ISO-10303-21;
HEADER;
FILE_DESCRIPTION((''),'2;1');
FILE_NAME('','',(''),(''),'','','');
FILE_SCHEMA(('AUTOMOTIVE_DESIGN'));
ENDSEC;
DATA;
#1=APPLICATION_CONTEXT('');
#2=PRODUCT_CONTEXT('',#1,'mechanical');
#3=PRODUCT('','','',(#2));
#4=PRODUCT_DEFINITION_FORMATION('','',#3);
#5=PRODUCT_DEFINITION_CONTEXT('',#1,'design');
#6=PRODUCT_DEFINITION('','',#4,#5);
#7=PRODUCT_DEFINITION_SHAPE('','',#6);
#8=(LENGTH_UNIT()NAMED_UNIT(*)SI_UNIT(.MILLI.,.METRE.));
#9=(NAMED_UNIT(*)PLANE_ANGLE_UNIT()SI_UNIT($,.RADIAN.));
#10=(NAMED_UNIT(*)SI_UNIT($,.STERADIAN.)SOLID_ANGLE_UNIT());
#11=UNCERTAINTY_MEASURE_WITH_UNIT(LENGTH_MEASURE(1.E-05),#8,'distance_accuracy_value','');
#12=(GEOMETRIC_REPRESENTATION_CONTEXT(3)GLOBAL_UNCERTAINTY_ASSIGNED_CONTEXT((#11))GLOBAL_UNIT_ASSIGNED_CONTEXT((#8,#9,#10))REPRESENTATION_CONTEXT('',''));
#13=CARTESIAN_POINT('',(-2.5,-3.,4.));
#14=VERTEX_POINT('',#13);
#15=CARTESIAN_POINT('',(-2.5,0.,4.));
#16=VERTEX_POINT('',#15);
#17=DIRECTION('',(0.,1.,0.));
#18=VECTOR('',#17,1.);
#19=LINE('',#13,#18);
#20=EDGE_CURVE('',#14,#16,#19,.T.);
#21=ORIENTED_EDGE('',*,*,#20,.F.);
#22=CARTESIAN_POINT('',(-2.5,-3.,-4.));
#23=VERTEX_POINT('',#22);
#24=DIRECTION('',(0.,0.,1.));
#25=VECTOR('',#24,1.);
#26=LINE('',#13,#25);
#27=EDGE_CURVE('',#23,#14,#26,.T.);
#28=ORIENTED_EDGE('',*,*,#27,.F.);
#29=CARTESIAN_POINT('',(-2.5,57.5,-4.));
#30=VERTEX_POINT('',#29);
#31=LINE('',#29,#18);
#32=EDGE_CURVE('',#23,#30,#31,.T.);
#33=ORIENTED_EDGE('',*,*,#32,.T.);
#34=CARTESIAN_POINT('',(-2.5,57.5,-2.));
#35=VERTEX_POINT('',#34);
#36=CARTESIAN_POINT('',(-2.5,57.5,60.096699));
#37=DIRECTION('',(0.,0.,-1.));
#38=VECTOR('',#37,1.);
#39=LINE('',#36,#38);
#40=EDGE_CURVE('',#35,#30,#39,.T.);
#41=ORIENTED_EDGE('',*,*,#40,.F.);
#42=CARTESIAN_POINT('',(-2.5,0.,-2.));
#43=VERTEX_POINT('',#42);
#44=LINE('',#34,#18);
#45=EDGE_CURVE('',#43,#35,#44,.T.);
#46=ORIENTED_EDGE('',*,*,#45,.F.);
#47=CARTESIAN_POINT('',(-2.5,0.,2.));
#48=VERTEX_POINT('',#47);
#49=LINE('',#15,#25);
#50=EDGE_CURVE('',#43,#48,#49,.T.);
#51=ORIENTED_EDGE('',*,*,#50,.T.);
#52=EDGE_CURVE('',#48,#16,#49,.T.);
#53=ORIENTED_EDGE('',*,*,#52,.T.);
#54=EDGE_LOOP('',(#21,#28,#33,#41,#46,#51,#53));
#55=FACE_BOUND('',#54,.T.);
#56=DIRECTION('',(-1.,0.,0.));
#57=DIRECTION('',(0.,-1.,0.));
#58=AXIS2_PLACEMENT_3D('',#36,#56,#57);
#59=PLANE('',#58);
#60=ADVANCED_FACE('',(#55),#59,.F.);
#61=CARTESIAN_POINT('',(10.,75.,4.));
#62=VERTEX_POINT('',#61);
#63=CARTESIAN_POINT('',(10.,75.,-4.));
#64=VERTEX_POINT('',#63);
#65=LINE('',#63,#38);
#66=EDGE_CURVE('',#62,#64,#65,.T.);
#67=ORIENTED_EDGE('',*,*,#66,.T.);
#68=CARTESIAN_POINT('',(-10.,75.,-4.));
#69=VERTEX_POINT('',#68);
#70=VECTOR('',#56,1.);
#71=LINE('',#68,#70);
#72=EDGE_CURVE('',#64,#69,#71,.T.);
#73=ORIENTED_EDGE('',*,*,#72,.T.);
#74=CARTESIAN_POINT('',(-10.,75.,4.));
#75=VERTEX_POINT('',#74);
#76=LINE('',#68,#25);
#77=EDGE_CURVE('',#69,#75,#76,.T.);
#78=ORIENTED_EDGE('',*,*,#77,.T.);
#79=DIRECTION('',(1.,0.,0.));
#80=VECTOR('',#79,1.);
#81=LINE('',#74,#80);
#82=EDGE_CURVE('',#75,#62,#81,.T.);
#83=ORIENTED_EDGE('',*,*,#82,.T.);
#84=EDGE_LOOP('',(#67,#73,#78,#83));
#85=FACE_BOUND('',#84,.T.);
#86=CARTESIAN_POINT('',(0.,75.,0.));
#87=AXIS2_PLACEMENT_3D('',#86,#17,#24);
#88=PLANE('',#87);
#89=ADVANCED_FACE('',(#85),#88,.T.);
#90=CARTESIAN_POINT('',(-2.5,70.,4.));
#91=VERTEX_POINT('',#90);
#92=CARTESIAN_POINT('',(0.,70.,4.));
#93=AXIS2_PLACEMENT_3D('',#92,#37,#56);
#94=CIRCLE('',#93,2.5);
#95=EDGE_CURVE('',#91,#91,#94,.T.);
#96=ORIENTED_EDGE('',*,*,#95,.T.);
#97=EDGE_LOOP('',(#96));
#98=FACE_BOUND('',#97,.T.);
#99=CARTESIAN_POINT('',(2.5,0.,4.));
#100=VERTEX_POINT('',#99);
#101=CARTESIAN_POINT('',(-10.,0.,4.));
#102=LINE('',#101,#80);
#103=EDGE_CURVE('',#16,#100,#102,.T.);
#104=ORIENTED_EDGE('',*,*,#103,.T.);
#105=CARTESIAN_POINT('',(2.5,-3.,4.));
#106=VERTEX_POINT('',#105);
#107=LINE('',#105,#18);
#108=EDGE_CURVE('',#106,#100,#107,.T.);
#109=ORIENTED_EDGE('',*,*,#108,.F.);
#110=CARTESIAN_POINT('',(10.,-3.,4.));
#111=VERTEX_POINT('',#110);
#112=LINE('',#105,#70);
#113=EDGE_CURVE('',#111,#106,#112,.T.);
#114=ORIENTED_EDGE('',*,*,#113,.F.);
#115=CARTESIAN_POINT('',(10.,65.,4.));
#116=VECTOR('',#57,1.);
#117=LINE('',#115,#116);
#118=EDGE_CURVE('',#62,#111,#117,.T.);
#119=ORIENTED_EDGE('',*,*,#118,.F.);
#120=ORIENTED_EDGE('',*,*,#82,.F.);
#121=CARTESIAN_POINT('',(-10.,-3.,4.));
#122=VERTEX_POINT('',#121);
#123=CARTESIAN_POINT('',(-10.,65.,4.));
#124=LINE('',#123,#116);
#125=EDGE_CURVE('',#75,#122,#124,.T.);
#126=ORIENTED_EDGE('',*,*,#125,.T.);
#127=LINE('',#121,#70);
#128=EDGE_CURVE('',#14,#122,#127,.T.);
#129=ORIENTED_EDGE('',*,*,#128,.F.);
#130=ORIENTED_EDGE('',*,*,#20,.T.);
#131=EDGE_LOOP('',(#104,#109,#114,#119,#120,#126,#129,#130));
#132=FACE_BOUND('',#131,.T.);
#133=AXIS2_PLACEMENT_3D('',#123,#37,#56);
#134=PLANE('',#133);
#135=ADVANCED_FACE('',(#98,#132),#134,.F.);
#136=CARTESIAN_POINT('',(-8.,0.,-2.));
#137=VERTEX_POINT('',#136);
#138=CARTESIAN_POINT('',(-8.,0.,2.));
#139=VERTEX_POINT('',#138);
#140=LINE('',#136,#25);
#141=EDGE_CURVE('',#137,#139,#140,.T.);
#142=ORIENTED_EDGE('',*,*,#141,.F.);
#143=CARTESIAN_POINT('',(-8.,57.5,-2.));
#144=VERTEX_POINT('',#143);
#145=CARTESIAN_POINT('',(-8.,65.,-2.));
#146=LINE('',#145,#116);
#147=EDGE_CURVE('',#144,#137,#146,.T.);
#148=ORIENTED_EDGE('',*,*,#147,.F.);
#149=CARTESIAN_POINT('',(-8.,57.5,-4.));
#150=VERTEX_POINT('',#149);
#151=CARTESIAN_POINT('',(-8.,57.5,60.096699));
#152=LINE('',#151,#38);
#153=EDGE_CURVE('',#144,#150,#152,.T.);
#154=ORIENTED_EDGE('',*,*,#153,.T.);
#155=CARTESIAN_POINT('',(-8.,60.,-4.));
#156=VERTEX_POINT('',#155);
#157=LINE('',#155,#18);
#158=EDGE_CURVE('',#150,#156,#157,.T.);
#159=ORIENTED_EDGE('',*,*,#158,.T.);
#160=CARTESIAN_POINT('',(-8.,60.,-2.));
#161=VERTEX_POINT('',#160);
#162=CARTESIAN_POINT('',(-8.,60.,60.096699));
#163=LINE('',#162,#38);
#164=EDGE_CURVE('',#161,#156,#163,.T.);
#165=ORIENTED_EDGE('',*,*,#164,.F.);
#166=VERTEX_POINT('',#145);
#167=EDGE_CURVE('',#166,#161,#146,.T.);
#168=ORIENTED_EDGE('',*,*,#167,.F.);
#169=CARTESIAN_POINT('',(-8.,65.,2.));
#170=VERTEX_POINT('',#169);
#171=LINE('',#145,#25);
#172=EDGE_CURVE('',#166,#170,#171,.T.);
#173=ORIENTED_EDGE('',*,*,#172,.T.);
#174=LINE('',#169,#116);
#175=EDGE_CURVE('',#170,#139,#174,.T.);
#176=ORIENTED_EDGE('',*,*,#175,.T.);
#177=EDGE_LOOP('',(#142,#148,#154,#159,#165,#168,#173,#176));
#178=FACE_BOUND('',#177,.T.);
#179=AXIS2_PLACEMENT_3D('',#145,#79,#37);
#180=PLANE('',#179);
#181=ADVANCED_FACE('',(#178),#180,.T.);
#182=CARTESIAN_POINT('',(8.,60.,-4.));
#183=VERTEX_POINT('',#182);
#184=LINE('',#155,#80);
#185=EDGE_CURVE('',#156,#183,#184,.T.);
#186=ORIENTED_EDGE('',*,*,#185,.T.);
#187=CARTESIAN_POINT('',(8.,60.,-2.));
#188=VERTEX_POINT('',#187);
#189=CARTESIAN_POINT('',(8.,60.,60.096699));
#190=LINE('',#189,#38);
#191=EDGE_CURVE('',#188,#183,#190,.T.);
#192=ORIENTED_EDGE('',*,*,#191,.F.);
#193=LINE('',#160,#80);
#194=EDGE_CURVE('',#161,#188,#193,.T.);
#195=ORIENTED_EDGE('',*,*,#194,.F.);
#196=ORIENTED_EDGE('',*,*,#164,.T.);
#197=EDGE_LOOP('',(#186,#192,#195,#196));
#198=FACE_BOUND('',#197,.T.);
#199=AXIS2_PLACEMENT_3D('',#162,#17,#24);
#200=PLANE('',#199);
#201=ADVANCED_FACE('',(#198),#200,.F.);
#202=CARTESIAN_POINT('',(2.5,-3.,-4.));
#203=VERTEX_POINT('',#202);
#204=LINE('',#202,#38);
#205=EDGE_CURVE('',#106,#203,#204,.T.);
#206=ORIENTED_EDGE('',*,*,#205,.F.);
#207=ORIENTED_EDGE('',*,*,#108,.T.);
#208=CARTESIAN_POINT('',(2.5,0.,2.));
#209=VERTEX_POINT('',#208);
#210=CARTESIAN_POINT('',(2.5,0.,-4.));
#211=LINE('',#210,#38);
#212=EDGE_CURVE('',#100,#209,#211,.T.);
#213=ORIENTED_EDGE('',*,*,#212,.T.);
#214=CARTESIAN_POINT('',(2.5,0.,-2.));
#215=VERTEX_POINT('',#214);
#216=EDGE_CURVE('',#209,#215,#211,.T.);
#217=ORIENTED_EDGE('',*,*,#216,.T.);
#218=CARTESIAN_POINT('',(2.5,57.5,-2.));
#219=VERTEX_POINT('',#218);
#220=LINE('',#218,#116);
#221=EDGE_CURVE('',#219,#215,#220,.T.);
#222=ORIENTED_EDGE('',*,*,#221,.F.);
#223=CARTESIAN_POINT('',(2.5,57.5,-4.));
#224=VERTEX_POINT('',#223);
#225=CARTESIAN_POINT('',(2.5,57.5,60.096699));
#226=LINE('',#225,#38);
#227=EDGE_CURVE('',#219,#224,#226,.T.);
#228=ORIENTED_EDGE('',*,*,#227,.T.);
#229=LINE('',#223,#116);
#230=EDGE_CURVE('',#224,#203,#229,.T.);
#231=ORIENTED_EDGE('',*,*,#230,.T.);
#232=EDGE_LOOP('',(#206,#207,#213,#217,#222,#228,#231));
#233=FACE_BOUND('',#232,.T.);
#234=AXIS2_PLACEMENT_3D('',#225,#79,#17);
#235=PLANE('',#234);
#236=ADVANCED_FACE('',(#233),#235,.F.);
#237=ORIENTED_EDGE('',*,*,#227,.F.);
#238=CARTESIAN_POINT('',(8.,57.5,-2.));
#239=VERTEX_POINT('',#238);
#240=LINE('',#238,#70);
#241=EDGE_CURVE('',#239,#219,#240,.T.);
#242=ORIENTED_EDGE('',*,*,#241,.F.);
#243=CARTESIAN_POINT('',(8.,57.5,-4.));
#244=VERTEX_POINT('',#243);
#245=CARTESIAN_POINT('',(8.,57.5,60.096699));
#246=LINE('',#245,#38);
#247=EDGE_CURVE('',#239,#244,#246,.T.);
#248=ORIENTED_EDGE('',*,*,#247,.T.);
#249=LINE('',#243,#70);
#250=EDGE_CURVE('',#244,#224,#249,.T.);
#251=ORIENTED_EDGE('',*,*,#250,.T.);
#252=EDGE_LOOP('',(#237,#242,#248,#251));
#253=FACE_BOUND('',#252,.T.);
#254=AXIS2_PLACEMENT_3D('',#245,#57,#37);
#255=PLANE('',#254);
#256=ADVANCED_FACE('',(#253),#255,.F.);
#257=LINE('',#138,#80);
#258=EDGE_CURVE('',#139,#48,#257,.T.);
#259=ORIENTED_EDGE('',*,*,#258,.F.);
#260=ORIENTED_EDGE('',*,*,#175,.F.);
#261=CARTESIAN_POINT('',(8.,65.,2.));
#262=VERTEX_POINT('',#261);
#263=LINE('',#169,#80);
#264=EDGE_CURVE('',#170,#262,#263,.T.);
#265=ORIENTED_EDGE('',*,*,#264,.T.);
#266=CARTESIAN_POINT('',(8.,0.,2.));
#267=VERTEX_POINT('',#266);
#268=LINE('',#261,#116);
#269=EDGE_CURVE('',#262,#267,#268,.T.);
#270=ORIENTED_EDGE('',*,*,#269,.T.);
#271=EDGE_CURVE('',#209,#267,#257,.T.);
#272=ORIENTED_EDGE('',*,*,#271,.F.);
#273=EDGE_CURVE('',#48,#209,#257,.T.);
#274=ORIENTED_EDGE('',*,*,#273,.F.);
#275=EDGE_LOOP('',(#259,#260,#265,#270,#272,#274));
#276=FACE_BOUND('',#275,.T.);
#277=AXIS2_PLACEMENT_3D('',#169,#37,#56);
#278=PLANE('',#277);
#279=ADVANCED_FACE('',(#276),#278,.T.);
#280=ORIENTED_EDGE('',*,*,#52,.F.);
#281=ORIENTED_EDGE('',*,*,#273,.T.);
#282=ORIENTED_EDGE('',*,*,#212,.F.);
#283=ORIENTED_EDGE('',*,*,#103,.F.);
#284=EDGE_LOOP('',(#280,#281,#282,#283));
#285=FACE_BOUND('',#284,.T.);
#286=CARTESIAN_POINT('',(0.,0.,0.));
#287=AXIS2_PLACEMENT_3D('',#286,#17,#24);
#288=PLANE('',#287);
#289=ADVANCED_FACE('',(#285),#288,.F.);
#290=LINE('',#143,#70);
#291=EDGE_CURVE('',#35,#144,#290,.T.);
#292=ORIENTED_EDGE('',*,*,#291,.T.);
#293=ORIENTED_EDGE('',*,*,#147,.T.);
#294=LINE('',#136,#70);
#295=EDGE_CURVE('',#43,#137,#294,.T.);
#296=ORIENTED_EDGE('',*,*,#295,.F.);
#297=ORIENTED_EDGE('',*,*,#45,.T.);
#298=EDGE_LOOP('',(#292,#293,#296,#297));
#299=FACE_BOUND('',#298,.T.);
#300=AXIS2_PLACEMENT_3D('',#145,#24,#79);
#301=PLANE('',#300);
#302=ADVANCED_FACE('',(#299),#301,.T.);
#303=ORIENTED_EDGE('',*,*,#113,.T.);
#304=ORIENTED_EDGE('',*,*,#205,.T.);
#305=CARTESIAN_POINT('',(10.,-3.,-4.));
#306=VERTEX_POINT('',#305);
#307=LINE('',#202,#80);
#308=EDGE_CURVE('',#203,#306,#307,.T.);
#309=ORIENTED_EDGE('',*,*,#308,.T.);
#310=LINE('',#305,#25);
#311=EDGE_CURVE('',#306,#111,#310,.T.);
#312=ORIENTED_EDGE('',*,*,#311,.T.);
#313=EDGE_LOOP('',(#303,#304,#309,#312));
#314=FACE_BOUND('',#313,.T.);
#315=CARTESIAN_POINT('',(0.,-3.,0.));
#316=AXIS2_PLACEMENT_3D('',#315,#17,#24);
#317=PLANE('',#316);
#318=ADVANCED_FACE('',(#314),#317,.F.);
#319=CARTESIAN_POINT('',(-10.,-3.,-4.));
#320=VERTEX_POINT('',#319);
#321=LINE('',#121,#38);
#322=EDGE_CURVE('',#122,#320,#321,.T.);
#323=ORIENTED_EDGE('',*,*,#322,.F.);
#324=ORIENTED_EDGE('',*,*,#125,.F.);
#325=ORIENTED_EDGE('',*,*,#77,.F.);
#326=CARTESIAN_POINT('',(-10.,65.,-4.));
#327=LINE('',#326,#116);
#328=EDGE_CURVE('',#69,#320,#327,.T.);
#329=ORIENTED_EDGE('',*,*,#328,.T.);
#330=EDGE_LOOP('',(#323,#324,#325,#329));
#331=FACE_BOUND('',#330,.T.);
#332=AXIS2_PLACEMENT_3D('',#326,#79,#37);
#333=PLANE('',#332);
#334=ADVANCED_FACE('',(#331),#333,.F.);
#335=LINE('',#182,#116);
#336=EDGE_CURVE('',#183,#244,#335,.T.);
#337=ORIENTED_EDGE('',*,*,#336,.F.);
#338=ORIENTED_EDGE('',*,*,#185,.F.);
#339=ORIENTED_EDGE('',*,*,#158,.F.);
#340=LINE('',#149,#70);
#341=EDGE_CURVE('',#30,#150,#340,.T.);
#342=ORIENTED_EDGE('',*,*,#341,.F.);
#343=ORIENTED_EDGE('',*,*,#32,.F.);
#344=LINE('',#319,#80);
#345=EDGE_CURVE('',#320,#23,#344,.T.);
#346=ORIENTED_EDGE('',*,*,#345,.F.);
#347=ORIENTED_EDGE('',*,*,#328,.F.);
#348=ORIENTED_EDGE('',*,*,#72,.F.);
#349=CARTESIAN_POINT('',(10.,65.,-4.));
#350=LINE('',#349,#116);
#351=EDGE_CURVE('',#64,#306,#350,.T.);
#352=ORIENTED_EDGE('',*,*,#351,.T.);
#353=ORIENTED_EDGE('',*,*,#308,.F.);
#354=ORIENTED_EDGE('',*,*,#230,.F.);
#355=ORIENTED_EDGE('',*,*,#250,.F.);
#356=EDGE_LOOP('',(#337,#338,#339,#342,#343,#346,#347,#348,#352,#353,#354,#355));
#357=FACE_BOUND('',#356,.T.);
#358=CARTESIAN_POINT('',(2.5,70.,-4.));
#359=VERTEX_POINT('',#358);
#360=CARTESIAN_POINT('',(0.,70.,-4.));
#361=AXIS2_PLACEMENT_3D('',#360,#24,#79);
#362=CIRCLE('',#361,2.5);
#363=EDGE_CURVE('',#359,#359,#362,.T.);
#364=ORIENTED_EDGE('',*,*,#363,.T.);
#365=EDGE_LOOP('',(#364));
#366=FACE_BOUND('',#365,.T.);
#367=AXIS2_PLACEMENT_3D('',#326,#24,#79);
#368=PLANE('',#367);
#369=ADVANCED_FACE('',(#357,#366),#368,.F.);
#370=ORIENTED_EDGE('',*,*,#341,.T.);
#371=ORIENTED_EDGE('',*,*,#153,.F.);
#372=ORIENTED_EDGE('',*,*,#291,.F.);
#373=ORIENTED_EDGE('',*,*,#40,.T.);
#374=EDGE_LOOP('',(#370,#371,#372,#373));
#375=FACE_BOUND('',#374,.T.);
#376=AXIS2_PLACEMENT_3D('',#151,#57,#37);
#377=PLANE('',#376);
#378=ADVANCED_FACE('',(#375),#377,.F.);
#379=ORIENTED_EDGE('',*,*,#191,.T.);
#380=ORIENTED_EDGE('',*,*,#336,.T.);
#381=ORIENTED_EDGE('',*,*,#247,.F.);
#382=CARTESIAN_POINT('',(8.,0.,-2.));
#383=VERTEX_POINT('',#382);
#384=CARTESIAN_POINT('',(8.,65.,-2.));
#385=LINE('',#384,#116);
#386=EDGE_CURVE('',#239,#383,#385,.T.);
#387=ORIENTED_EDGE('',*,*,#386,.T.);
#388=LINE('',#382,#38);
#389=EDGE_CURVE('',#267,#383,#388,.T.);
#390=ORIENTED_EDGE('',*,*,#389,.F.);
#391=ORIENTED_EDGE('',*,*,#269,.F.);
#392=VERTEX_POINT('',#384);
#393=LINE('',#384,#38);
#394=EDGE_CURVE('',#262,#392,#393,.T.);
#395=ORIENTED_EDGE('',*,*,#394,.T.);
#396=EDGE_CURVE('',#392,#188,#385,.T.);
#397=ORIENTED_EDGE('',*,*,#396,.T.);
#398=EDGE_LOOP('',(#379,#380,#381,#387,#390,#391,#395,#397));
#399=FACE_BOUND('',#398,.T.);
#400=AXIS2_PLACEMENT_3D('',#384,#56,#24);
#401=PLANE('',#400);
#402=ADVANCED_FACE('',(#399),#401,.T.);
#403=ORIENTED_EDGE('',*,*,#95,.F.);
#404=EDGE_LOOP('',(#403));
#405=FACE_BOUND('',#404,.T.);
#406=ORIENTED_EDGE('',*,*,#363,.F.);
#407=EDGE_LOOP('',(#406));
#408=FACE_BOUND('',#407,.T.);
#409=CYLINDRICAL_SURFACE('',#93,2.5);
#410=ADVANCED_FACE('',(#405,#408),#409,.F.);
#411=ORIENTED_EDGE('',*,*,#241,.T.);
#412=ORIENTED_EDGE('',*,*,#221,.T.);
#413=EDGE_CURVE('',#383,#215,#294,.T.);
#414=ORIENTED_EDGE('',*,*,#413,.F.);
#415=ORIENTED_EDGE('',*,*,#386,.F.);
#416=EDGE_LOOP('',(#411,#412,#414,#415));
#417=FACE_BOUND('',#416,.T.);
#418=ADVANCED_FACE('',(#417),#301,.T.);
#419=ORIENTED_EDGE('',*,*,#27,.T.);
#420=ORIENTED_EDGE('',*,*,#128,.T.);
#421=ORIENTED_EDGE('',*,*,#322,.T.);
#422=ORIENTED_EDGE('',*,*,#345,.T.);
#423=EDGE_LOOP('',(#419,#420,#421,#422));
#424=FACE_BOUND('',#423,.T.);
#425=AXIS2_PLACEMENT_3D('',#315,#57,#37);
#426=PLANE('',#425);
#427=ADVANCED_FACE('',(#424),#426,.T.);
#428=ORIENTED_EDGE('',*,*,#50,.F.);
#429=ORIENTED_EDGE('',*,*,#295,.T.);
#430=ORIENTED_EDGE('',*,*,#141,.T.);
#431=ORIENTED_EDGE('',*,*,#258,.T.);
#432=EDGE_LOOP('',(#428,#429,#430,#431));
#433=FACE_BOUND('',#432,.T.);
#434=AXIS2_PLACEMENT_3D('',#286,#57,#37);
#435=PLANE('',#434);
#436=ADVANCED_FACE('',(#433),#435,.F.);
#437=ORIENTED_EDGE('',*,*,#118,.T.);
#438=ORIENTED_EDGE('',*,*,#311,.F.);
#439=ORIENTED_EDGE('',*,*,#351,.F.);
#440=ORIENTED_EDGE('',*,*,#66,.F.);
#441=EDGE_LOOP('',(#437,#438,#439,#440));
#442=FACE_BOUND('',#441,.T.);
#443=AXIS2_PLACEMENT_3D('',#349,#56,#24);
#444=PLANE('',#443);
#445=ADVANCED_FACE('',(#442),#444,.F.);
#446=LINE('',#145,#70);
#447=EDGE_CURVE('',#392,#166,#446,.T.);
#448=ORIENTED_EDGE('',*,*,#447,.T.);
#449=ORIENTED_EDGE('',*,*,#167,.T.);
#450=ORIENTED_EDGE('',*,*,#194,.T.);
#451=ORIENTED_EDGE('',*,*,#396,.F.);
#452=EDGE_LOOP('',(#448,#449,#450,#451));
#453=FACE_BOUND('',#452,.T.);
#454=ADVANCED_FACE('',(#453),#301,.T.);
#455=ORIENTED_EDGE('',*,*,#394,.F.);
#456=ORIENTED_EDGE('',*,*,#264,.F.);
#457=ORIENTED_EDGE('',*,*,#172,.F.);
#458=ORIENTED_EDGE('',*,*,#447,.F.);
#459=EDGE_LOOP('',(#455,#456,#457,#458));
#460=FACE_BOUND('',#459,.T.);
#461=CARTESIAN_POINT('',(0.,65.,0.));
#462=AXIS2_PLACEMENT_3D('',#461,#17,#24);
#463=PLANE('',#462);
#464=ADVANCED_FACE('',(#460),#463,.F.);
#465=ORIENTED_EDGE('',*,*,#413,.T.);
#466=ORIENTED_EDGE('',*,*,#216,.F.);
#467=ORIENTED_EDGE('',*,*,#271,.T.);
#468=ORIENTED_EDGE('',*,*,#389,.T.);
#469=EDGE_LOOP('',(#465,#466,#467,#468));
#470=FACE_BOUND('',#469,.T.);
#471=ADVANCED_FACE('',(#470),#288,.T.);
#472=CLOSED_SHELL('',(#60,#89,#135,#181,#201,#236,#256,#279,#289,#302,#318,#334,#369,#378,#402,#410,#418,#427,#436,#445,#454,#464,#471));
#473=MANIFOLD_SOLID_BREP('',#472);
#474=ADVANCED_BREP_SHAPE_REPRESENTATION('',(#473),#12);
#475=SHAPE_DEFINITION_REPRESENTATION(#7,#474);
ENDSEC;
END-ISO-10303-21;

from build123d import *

# Parameters (mm, degrees)
SKETCH2_W               = 20
SKETCH2_H               = 8
SKETCH2_W_2             = 16
SKETCH2_H_2             = 4
BOSS_EXTRUDE2_DEPTH     = 65
CUT_EXTRUDE2_DEPTH      = 2
SKETCH5_W               = 7.5
SKETCH5_H               = 8
BOSS_EXTRUDE3_DEPTH     = 3
SKETCH6_W               = 20
SKETCH6_H               = 8
BOSS_EXTRUDE4_DEPTH     = 10
SKETCH7_R               = 2.5
CUT_EXTRUDE3_DEPTH      = 1
CUT_EXTRUDE3_DEPTH_BACK = 9


with BuildPart() as part:
    # Sketch2 → Boss-Extrude2 (new body)
    with BuildSketch(Plane(origin=(0, 0, 0), x_dir=(1, 0, 0), z_dir=(0, 1, 0))):
        Rectangle(SKETCH2_W, SKETCH2_H)
        Rectangle(SKETCH2_W_2, SKETCH2_H_2, mode=Mode.SUBTRACT)
    extrude(amount=BOSS_EXTRUDE2_DEPTH)

    # Sketch4 → Cut-Extrude2 (cut)
    with BuildSketch(Plane(origin=(0, 0, -4), x_dir=(-1, 0, 0), z_dir=(0, 0, -1))):
        Polygon((8, 60), (-8, 60), (-8, 57.5), (-2.5, 57.5), (-2.5, 0), (2.5, 0), (2.5, 57.5), (8, 57.5), align=None)
    extrude(amount=-CUT_EXTRUDE2_DEPTH, mode=Mode.SUBTRACT)

    # Sketch5 → Boss-Extrude3 (add)
    with BuildSketch(Plane.XZ):
        with Locations((-6.25, 0)):
            Rectangle(SKETCH5_W, SKETCH5_H)
        with Locations((6.25, 0)):
            Rectangle(SKETCH5_W, SKETCH5_H)
    extrude(amount=BOSS_EXTRUDE3_DEPTH)

    # Sketch6 → Boss-Extrude4 (add)
    with BuildSketch(Plane(origin=(0, 65, 0), x_dir=(1, 0, 0), z_dir=(0, 1, 0))):
        Rectangle(SKETCH6_W, SKETCH6_H)
    extrude(amount=BOSS_EXTRUDE4_DEPTH)

    # Sketch7 → Cut-Extrude3 (cut, two sides)
    with BuildSketch(Plane(origin=(0, 0, -4), x_dir=(-1, 0, 0), z_dir=(0, 0, -1))) as cut_extrude3_sk:
        with Locations((0, 70)):
            Circle(SKETCH7_R)
    extrude(amount=CUT_EXTRUDE3_DEPTH, mode=Mode.SUBTRACT)
    extrude(cut_extrude3_sk.sketch, amount=-CUT_EXTRUDE3_DEPTH_BACK, mode=Mode.SUBTRACT)


solid = part.part
